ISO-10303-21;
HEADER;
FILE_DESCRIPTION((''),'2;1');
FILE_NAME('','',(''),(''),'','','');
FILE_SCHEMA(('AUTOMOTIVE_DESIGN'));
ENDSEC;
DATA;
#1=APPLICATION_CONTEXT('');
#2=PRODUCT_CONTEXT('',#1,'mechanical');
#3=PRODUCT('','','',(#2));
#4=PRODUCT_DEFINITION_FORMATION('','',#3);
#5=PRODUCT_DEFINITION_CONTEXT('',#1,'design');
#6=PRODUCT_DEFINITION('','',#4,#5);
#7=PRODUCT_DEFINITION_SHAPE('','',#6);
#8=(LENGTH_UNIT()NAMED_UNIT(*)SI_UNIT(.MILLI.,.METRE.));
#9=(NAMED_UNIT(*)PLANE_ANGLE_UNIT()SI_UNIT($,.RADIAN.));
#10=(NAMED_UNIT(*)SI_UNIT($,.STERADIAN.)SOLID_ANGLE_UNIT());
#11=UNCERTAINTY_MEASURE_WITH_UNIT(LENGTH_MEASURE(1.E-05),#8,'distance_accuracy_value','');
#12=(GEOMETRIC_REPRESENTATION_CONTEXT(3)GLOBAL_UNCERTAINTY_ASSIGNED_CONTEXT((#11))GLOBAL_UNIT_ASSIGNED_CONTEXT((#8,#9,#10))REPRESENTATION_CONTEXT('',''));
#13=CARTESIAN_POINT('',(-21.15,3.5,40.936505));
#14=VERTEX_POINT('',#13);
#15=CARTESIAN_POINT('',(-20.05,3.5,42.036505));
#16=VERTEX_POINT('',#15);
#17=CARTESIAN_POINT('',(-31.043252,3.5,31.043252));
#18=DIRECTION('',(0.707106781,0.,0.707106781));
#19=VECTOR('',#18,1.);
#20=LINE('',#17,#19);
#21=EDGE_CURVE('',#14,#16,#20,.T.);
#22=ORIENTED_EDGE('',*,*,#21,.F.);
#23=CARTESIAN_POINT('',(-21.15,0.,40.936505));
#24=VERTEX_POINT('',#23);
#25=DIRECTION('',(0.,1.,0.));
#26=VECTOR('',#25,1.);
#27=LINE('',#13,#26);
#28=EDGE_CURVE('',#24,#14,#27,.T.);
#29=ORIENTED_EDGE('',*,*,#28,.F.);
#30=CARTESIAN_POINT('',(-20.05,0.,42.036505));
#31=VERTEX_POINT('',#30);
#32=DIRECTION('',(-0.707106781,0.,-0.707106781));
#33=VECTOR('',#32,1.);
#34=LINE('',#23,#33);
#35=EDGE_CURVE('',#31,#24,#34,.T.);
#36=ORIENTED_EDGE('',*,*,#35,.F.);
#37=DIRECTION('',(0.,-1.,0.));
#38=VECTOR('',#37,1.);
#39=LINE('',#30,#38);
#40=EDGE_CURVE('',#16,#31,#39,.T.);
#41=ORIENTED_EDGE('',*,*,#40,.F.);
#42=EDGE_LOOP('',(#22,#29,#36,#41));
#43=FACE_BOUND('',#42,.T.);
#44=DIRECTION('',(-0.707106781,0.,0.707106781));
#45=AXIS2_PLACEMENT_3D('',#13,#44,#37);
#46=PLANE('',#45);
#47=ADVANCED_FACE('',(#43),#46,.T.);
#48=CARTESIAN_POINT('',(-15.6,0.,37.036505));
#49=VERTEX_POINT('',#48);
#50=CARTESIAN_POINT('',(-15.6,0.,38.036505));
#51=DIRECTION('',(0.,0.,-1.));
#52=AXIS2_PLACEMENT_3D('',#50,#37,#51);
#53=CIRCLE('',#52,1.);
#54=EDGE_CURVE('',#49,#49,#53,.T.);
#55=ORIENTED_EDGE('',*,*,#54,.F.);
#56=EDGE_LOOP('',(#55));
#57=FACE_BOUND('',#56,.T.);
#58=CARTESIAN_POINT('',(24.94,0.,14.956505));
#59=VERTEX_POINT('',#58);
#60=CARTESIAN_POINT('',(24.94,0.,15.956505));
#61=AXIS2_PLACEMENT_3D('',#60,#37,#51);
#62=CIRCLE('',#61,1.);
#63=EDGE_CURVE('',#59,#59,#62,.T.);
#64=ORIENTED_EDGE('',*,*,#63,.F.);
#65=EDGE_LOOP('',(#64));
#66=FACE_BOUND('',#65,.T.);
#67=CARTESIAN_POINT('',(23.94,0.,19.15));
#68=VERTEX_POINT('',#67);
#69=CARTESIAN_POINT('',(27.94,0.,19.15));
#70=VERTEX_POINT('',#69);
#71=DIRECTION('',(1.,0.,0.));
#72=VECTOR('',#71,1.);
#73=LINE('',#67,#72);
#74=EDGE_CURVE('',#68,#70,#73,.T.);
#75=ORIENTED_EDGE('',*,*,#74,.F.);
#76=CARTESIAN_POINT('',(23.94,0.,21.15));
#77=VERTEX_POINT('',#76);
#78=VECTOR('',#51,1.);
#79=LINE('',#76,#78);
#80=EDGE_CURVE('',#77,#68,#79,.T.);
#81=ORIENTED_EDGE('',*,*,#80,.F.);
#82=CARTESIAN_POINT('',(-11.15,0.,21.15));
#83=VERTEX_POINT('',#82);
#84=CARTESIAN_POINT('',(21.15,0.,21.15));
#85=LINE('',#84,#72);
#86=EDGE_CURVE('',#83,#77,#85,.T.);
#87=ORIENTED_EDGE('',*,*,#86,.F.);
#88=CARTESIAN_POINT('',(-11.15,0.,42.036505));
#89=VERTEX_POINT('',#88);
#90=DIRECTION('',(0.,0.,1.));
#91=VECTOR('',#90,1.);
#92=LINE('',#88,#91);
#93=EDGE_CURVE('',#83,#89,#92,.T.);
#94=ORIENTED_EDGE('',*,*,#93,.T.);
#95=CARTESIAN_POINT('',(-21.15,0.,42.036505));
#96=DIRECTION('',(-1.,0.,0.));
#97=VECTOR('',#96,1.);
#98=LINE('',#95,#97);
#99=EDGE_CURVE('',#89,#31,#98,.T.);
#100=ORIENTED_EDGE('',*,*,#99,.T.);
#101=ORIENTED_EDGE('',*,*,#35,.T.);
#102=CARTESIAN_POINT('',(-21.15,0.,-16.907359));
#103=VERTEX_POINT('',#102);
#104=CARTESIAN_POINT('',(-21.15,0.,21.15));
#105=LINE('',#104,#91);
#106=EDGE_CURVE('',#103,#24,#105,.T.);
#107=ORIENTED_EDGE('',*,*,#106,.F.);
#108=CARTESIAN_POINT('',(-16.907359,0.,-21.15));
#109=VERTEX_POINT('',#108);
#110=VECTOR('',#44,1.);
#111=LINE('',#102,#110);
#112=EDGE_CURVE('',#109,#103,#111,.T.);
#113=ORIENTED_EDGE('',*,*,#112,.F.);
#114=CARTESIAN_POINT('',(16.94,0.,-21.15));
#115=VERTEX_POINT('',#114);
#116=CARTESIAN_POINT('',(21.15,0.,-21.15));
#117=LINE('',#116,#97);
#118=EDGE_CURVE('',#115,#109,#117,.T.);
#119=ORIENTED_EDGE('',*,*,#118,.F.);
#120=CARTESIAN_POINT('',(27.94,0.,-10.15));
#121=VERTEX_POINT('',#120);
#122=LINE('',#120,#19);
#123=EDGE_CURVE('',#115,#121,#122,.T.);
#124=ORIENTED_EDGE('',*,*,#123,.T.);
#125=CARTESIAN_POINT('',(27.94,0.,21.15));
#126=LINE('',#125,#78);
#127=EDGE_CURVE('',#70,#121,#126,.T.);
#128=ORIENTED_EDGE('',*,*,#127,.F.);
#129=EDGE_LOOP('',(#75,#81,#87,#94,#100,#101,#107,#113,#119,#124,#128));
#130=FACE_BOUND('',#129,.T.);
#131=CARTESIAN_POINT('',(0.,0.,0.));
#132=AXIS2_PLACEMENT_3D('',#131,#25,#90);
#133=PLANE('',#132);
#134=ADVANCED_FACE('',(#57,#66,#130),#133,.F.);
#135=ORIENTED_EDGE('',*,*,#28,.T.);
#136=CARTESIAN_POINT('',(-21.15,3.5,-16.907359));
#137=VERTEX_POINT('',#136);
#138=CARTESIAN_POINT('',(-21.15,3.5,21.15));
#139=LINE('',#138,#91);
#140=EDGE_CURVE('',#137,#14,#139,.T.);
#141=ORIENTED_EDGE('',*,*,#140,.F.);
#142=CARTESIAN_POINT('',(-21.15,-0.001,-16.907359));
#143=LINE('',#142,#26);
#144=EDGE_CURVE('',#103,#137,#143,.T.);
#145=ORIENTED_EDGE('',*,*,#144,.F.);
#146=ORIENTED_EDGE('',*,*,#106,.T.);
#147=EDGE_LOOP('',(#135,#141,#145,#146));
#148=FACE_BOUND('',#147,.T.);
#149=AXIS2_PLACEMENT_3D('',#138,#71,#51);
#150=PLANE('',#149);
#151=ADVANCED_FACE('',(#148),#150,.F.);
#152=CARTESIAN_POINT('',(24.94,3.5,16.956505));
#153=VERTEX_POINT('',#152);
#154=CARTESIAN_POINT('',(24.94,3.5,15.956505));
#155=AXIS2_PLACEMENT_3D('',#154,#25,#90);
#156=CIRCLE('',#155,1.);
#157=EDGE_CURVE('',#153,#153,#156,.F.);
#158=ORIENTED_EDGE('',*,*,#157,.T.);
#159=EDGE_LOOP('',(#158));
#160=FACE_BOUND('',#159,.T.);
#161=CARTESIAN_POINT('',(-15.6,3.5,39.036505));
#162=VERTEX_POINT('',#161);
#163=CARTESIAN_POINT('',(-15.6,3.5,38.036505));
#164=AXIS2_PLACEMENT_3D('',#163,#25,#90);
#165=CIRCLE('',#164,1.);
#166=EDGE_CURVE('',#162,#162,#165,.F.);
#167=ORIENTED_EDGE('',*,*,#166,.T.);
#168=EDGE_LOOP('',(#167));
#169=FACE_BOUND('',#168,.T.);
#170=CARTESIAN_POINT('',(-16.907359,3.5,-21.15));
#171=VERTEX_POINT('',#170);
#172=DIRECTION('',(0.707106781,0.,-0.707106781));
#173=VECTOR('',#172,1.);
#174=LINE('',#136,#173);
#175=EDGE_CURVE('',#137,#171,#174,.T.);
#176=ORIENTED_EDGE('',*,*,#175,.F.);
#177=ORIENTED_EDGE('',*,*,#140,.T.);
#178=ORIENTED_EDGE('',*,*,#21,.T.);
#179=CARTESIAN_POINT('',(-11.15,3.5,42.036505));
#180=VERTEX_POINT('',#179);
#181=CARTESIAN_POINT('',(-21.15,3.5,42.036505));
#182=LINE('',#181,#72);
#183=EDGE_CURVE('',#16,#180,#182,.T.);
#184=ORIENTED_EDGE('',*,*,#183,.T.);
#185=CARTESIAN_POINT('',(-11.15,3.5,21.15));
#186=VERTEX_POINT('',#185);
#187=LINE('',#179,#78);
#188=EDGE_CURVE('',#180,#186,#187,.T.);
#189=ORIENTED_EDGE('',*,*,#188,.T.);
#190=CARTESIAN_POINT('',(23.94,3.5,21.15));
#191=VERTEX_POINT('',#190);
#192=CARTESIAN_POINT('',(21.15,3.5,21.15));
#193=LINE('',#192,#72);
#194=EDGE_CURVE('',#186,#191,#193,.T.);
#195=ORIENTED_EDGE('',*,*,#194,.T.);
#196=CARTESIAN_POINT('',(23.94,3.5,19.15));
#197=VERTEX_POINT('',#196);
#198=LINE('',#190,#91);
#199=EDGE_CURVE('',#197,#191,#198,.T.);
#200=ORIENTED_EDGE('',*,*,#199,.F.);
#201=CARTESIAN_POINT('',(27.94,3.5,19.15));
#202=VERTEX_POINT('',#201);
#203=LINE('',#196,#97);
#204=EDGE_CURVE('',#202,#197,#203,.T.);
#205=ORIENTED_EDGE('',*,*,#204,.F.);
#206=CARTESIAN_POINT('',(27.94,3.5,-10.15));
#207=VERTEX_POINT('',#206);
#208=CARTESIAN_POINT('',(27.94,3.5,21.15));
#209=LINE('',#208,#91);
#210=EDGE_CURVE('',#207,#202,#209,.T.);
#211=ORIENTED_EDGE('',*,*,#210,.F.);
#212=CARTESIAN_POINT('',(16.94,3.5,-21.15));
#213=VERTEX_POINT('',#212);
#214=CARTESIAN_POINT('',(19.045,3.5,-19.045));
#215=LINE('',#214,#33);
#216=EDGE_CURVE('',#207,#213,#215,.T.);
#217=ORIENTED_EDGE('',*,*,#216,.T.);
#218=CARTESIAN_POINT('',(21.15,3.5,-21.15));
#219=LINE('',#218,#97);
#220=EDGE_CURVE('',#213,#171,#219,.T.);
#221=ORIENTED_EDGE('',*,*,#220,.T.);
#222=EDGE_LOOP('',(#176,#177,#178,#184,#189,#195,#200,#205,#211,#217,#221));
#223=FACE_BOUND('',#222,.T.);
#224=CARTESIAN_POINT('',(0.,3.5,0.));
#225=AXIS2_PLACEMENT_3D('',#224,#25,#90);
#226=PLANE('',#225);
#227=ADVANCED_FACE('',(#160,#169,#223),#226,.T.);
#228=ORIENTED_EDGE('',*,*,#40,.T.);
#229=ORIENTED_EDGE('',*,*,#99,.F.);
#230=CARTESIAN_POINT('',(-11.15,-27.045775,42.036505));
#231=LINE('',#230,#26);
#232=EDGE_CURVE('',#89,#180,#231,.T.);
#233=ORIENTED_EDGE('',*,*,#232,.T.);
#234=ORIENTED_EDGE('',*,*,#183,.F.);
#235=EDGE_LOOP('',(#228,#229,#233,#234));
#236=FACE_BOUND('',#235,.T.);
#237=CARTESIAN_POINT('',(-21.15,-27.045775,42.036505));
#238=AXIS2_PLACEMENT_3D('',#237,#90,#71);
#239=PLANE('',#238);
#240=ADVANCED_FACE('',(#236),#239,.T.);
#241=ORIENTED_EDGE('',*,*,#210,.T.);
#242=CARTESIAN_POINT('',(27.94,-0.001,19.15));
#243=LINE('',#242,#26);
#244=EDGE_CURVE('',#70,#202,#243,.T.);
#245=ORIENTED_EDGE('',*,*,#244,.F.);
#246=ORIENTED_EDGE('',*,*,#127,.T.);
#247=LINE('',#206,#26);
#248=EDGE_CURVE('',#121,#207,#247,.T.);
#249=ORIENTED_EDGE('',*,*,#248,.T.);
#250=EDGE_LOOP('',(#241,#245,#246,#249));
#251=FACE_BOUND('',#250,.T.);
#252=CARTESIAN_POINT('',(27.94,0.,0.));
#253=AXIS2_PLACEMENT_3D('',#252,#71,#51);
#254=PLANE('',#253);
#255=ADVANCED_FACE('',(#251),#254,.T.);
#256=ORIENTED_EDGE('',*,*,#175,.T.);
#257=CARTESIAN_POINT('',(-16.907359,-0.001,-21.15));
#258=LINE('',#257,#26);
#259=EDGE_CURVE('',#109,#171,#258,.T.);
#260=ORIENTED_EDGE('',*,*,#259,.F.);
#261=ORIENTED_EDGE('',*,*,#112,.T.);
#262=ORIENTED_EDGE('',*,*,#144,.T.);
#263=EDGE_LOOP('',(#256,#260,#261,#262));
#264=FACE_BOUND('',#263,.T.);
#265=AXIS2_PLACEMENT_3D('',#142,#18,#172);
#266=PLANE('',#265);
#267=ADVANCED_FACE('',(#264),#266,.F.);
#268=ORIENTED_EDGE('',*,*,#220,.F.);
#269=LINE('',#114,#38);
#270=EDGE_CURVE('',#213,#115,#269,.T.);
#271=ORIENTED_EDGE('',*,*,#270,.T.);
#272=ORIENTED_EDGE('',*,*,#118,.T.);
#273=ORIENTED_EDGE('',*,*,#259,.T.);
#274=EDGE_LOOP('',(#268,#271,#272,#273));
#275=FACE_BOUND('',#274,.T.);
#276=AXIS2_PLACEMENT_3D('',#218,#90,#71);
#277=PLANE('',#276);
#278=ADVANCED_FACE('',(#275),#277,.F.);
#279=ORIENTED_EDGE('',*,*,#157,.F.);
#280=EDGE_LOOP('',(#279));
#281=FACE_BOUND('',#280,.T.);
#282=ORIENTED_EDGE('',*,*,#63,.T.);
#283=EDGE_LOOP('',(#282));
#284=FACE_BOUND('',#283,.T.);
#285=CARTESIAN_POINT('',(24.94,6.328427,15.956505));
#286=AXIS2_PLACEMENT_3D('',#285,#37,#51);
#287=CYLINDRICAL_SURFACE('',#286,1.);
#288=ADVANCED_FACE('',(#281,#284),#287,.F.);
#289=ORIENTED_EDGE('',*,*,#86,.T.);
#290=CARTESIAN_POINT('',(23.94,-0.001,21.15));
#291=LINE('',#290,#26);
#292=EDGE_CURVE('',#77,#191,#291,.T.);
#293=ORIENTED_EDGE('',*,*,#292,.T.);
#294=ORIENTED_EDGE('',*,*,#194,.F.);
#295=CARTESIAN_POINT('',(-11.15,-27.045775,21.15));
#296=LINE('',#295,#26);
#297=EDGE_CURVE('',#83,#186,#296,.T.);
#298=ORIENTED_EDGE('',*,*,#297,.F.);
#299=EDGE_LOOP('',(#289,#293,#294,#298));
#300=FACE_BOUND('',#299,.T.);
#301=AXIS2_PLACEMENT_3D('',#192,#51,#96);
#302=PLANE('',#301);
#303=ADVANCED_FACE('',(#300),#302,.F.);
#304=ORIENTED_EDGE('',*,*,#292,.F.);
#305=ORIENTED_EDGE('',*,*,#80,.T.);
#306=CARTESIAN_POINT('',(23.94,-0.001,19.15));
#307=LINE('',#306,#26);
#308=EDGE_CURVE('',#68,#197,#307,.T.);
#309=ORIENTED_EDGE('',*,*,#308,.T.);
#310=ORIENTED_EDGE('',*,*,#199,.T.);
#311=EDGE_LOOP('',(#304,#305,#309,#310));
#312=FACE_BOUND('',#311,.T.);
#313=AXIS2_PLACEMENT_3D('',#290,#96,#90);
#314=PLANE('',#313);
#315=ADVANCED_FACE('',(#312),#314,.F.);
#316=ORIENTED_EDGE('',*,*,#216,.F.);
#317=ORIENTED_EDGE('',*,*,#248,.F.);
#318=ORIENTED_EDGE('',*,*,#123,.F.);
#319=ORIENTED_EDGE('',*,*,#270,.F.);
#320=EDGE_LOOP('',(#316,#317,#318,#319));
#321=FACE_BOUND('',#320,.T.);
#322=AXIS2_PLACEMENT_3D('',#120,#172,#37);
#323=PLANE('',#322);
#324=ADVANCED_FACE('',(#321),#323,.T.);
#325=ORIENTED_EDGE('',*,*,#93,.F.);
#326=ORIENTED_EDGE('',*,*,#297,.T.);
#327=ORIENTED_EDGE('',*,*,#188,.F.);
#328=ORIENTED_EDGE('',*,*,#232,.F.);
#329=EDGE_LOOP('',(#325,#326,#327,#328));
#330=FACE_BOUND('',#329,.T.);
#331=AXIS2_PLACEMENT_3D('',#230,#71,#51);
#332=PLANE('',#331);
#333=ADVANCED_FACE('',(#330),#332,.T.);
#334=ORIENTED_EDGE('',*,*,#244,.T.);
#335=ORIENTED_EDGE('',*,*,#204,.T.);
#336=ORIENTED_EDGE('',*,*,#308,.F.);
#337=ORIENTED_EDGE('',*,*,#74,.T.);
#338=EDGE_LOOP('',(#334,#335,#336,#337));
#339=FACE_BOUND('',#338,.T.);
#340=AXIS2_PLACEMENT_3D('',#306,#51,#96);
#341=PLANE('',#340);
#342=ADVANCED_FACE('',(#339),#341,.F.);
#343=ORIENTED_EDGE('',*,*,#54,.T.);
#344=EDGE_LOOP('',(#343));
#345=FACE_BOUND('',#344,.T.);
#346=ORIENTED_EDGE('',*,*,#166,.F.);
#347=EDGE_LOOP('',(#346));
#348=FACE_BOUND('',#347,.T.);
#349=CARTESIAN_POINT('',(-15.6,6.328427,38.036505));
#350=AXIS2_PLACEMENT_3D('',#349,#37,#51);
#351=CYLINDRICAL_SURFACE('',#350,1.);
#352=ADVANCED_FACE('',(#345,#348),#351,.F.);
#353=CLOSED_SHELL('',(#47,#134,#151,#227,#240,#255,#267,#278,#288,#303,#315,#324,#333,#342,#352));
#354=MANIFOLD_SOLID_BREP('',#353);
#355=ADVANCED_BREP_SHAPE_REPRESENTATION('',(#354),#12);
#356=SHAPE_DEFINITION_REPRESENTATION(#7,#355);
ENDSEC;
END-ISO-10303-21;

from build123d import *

# Parameters (mm, degrees)
SKETCH1_W                = 42.3
SKETCH1_H                = 42.3
BOSS_EXTRUDE1_DEPTH      = 3.5
CUT_EXTRUDE1_DEPTH       = 3.5
CIRPATTERN1_COUNT        = 4
SKETCH5_W                = 42.3
SKETCH5_H                = 3.5
BOSS_EXTRUDE3_DEPTH      = 6.79
BOSS_EXTRUDE3_DEPTH_BACK = 6.79
CUT_EXTRUDE2_REACH       = 5.5
SKETCH6_W                = 4
SKETCH6_H                = 2
BOSS_EXTRUDE4_DEPTH      = 3.5
CHAMFER1_SIZE            = 1.1
SKETCH8_R                = 1
CUT_EXTRUDE3_DEPTH       = 3.5
CHAMFER2_SIZE            = 11
SKETCH10_R               = 1
CUT_EXTRUDE4_DEPTH       = 3.5


with BuildPart() as part:
    # Sketch1 → Boss-Extrude1 (new body)
    with BuildSketch(Plane(origin=(0, 0, 0), x_dir=(1, 0, 0), z_dir=(0, 1, 0))):
        Rectangle(SKETCH1_W, SKETCH1_H)
    extrude(amount=BOSS_EXTRUDE1_DEPTH)

    # Sketch2 → Cut-Extrude1 (cut)
    with BuildSketch(Plane(origin=(0, 3.5, 0), x_dir=(1, 0, 0), z_dir=(0, 1, 0))):
        Polygon((-21.15, 16.907359313), (-16.907359313, 21.15), (-21.15, 21.15), align=None)
    cut_extrude1 = extrude(amount=-CUT_EXTRUDE1_DEPTH, mode=Mode.SUBTRACT)

    # CirPattern1: Cut-Extrude1 ×4 about axis
    cirpattern1_axis = Axis((0, 0, 0), (0, 1, 0))
    for i in range(1, CIRPATTERN1_COUNT):
        add(cut_extrude1.rotate(cirpattern1_axis, i * 360 / CIRPATTERN1_COUNT), mode=Mode.SUBTRACT)

    # Sketch5 → Boss-Extrude3 (add, two sides)
    with BuildSketch(Plane(origin=(21.15, 0, 0), x_dir=(0, 0, -1), z_dir=(1, 0, 0))) as boss_extrude3_sk:
        with Locations((0, 1.75)):
            Rectangle(SKETCH5_W, SKETCH5_H)
    extrude(amount=BOSS_EXTRUDE3_DEPTH)
    extrude(boss_extrude3_sk.sketch, amount=-BOSS_EXTRUDE3_DEPTH_BACK)

    # Sketch6 → Cut-Extrude2 (cut, up to next)
    with BuildSketch(Plane(origin=(0, 3.5, 0), x_dir=(1, 0, 0), z_dir=(0, 1, 0)), mode=Mode.PRIVATE) as cut_extrude2_sk1:
        with Locations((25.94, -20.15)):
            Rectangle(SKETCH6_W, SKETCH6_H)
    cut_extrude2_tool1 = extrude(cut_extrude2_sk1.sketch, amount=-CUT_EXTRUDE2_REACH, mode=Mode.PRIVATE) & part.part
    add(cut_extrude2_tool1.solids().sort_by_distance((25.94, 3.5, 20.15))[0], mode=Mode.SUBTRACT)

    # Sketch7 → Boss-Extrude4 (add)
    with BuildSketch(Plane(origin=(0, 3.5, 0), x_dir=(1, 0, 0), z_dir=(0, 1, 0))):
        Polygon((-21.15, -16.907359313), (-21.15, -42.036504825), (-11.15, -42.036504825), (-11.15, -21.15), (-16.907359313, -21.15), align=None)
    extrude(amount=-BOSS_EXTRUDE4_DEPTH)

    # Chamfer1
    chamfer1_edges = [part.edges().sort_by_distance(p)[0] for p in [
        (-21.15, 1.75, 42.036504825),
    ]]
    chamfer(chamfer1_edges, length=CHAMFER1_SIZE)

    # Sketch8 → Cut-Extrude3 (cut)
    with BuildSketch(Plane.XZ):
        with Locations((-15.6, 38.036504825)):
            Circle(SKETCH8_R)
    extrude(amount=-CUT_EXTRUDE3_DEPTH, mode=Mode.SUBTRACT)

    # Chamfer2
    chamfer2_edges = [part.edges().sort_by_distance(p)[0] for p in [
        (27.94, 1.75, -21.15),
    ]]
    chamfer(chamfer2_edges, length=CHAMFER2_SIZE)

    # Sketch10 → Cut-Extrude4 (cut)
    with BuildSketch(Plane.XZ):
        with Locations((24.94, 15.956504825)):
            Circle(SKETCH10_R)
    extrude(amount=-CUT_EXTRUDE4_DEPTH, mode=Mode.SUBTRACT)


solid = part.part
